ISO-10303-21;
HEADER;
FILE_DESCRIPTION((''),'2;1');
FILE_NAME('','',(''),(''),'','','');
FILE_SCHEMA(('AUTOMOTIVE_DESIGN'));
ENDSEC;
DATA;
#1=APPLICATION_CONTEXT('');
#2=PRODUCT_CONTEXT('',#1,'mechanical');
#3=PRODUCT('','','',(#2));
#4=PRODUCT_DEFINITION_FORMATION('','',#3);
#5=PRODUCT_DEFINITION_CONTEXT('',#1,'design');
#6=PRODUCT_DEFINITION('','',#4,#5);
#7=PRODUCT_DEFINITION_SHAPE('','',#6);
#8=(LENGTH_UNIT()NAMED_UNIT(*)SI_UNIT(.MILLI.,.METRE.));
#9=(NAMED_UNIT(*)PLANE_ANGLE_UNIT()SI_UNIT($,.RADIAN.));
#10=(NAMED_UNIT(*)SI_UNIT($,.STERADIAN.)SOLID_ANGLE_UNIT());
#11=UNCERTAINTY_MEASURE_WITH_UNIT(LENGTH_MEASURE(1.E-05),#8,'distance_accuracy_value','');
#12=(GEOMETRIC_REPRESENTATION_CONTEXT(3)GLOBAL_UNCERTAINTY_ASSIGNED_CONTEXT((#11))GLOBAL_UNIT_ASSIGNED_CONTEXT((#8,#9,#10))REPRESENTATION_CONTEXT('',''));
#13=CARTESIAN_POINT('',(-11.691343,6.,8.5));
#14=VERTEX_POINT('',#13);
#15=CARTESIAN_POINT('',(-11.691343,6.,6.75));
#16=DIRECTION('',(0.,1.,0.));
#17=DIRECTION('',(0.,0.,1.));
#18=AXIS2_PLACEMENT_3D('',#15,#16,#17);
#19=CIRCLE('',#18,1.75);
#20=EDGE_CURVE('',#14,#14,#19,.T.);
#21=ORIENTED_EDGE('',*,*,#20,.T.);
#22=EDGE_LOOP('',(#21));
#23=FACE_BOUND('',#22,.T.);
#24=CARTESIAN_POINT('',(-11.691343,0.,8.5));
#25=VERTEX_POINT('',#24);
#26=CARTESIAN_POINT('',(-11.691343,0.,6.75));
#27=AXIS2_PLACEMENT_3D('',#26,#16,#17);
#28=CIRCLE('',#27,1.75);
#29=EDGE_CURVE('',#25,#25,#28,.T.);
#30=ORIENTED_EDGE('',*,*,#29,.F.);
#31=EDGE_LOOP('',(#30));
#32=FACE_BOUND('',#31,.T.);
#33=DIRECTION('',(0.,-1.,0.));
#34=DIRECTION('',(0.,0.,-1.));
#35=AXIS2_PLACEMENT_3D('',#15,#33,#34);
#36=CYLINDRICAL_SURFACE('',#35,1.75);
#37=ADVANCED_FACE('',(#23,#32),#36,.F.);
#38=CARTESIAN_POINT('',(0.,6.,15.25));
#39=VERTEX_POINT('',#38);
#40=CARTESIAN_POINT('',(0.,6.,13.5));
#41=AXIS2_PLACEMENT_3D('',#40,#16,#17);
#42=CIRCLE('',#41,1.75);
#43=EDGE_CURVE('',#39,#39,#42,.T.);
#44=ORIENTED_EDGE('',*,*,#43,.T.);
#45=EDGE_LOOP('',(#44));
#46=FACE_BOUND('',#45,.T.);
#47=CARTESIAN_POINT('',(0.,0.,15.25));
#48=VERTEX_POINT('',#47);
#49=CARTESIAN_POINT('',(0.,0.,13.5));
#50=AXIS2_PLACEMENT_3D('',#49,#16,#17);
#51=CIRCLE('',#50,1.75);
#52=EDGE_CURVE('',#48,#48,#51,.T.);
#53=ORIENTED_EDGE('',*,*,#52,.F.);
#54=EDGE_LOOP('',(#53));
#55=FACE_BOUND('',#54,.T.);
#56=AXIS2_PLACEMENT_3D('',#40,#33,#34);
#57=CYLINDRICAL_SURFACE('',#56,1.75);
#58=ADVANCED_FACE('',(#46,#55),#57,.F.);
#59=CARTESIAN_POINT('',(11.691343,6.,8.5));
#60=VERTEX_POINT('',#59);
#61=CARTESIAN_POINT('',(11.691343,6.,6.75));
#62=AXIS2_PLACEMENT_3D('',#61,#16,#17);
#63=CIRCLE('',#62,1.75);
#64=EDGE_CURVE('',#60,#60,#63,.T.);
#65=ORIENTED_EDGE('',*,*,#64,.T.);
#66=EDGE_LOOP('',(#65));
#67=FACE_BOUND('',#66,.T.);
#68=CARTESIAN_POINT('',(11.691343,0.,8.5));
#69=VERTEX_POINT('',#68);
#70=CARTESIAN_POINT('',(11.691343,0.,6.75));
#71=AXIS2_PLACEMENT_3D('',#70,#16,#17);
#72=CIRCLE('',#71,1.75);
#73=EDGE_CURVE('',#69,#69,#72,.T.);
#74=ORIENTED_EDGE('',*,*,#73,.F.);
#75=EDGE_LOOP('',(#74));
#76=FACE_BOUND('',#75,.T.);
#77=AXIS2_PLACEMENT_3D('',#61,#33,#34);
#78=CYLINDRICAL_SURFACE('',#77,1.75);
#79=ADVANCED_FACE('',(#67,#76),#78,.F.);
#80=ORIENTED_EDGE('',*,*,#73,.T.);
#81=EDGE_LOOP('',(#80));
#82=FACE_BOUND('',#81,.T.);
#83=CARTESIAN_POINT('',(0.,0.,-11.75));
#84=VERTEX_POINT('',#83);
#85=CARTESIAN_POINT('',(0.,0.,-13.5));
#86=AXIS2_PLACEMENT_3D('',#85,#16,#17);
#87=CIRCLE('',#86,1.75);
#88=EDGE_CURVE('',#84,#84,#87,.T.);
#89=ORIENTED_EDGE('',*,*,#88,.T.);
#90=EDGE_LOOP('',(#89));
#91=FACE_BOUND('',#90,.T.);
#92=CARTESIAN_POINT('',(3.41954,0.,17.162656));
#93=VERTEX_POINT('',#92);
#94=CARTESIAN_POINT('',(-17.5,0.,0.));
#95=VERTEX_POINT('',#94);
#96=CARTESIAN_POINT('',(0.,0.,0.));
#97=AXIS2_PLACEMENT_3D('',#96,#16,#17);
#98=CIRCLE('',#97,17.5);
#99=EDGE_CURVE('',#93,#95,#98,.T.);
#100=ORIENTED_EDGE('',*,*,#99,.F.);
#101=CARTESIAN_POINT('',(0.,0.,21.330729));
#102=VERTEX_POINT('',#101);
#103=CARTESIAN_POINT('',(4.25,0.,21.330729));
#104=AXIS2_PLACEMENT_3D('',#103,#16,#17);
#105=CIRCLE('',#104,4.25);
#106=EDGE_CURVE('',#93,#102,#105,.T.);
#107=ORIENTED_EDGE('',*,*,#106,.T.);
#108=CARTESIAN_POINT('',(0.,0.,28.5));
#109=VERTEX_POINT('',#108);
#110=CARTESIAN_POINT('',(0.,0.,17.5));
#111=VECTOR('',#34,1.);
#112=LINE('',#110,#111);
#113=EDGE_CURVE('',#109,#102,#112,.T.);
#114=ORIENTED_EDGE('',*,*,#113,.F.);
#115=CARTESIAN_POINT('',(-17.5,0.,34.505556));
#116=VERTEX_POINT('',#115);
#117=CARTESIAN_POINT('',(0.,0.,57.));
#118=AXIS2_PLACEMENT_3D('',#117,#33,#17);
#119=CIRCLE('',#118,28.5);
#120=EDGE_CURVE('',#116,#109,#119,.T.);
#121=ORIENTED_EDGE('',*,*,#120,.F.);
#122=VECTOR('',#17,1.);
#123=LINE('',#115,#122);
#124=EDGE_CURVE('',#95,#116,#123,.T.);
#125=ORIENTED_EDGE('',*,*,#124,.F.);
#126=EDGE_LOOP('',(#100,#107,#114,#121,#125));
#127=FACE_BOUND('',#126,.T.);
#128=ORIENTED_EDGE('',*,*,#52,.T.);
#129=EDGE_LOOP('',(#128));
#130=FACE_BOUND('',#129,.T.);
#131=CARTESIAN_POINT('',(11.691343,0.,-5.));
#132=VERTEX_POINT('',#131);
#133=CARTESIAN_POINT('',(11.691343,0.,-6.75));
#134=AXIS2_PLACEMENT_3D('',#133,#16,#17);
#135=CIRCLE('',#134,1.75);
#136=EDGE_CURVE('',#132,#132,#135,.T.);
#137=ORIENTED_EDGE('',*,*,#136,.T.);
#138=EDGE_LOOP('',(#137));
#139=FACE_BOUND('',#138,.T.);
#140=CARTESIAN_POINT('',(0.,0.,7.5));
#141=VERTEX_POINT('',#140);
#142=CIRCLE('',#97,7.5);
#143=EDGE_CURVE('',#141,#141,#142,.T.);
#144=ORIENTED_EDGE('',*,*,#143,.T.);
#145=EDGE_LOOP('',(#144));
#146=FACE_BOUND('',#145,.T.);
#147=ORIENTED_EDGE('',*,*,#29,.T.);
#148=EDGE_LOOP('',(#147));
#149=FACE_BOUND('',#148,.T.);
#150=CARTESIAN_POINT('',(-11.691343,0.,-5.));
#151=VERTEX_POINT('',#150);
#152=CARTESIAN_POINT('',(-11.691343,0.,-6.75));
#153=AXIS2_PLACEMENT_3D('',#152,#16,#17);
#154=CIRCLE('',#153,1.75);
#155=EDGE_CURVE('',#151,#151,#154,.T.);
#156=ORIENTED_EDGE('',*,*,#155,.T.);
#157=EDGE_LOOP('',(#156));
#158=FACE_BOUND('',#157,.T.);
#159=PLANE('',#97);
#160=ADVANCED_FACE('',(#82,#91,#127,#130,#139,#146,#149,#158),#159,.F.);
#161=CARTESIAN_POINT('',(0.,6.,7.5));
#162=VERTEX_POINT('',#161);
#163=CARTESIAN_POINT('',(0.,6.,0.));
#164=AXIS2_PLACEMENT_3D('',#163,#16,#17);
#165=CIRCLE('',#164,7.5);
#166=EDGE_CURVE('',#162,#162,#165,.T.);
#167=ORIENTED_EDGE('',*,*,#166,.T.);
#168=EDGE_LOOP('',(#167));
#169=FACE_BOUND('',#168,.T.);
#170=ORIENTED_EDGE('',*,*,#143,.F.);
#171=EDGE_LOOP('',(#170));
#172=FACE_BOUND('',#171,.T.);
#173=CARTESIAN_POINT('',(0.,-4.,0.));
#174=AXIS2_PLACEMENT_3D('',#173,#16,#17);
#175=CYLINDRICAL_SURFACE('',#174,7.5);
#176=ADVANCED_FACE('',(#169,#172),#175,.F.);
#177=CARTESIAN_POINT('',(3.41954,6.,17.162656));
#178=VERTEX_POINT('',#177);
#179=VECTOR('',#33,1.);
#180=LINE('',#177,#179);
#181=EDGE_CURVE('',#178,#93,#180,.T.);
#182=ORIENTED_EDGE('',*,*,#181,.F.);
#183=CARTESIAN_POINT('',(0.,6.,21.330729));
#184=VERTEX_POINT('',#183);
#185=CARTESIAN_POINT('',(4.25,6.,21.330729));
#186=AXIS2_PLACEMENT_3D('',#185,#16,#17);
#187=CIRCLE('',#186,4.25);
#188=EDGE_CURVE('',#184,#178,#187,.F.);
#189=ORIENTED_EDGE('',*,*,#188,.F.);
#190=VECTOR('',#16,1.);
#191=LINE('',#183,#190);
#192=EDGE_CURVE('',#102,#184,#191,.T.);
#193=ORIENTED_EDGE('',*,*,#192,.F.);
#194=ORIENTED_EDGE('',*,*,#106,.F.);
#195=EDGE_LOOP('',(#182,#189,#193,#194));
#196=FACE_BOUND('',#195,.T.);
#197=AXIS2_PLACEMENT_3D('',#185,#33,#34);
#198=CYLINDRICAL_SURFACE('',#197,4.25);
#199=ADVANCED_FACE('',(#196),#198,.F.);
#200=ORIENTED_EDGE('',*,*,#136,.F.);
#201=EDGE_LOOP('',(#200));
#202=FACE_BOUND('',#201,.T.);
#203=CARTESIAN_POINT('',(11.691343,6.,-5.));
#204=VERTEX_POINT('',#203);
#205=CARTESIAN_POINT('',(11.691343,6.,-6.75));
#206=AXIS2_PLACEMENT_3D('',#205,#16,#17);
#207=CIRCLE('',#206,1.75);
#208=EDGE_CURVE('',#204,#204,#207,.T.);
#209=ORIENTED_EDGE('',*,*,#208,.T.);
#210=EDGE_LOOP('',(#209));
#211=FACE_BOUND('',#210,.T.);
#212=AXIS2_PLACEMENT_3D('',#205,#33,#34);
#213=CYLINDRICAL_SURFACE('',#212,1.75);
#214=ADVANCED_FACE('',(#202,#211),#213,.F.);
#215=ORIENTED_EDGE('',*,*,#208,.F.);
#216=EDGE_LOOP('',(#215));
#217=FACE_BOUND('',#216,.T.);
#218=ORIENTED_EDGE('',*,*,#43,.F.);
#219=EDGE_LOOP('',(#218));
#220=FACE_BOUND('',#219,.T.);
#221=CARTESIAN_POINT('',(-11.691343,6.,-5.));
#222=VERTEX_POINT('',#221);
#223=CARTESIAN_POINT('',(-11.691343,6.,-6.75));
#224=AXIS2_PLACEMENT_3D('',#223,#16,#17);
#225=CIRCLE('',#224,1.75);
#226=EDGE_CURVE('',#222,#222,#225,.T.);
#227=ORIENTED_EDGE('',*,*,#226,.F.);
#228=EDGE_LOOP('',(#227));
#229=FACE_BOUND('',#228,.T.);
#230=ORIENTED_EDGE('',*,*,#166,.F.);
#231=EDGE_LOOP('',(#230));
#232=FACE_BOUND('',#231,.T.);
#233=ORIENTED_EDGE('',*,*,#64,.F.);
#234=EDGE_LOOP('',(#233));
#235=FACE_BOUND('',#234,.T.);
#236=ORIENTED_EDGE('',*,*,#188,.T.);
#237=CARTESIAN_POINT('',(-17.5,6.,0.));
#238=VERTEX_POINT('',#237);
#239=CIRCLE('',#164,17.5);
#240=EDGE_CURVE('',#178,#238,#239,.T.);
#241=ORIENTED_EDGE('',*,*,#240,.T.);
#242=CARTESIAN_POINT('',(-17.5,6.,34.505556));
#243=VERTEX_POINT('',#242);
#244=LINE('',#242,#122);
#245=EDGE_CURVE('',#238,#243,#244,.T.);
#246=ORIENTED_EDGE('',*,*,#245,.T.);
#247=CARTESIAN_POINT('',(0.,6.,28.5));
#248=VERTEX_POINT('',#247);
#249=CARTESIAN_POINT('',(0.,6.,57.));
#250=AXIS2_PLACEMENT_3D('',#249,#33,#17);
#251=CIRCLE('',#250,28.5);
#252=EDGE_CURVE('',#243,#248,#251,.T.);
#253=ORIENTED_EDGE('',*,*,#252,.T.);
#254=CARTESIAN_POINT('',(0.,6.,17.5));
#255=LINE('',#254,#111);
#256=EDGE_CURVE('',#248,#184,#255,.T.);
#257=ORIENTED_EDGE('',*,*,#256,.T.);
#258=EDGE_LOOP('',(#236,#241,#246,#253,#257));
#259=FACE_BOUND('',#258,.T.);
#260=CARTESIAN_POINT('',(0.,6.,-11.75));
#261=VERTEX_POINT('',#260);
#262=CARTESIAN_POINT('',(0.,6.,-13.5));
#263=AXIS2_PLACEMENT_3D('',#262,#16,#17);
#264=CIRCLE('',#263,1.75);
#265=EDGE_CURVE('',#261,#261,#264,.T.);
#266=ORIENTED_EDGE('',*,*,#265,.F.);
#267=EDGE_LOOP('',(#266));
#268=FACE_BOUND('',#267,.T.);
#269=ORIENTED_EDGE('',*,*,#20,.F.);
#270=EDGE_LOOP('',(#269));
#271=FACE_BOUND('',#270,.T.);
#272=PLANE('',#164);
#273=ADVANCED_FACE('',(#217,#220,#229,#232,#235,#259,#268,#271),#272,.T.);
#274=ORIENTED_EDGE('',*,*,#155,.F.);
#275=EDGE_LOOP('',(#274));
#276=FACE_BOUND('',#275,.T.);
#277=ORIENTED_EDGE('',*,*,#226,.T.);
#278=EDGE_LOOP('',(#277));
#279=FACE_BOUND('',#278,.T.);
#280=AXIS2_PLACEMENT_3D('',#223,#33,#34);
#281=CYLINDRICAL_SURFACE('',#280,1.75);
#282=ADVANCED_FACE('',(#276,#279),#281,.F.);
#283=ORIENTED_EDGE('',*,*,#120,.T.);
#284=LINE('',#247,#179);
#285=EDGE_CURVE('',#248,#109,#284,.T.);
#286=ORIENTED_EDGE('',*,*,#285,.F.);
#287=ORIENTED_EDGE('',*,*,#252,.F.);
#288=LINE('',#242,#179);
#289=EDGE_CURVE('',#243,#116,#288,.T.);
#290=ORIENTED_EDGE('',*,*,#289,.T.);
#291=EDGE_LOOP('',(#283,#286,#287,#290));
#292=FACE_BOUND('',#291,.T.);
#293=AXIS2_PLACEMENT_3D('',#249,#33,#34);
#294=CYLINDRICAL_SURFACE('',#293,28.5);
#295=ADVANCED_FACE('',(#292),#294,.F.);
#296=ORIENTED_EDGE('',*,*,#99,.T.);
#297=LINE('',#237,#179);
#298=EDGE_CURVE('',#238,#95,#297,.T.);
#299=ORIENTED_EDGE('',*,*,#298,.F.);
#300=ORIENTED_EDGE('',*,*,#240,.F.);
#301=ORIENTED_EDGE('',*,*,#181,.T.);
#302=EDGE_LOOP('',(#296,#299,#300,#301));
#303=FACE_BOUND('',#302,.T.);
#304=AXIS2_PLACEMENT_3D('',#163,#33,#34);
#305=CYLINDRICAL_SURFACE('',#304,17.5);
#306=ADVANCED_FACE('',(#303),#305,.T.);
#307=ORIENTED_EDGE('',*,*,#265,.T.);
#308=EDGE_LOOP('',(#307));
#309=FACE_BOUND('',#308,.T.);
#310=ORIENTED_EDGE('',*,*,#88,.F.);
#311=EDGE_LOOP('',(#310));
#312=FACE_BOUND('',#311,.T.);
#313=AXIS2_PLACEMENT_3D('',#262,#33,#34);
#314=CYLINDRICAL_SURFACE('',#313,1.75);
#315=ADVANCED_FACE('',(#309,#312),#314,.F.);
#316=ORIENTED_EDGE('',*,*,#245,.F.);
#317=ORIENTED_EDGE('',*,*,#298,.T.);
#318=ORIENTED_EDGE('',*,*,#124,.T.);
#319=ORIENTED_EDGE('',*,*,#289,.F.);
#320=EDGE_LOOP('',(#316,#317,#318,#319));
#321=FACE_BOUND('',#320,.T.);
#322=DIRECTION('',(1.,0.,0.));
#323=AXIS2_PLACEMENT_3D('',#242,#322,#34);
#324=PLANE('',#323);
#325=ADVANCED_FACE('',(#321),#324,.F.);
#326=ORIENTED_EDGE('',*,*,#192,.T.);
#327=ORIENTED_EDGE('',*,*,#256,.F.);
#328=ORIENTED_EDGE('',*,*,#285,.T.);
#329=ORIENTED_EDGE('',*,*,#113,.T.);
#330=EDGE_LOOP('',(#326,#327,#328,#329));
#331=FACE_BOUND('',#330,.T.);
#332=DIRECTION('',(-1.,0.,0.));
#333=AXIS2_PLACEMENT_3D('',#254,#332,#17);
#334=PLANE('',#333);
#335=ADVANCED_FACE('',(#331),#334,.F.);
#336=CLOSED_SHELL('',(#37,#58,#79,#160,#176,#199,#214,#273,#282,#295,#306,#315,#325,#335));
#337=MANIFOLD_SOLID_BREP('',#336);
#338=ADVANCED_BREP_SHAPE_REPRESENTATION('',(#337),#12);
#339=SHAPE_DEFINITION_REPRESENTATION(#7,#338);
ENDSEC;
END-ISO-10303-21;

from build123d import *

# Parameters (mm, degrees)
SKETCH_1_R          = 1.75
EXTRUDE_1_DEPTH     = 6
FILLET_2_R          = 4.25
SKETCH_2_R          = 7.5
CUT_EXTRUDE_1_DEPTH = 10


with BuildPart() as part:
    # 草图1 → 凸台-拉伸1 (new body)
    with BuildSketch(Plane(origin=(0, 0, 0), x_dir=(1, 0, 0), z_dir=(0, 1, 0))):
        with BuildLine():
            Line((-17.5, -34.505556242), (-17.5, 0))
            ThreePointArc((-17.5, 0), (0, 17.5), (17.5, 0))
            ThreePointArc((17.5, 0), (12.374368671, -12.374368671), (0, -17.5))
            Line((0, -17.5), (0, -28.5))
            ThreePointArc((0, -28.5), (-9.250901385, -30.043167405), (-17.5, -34.505556242))
        make_face()
        with Locations((0, 13.5)):
            Circle(SKETCH_1_R, mode=Mode.SUBTRACT)
        with Locations((11.691342951, 6.75)):
            Circle(SKETCH_1_R, mode=Mode.SUBTRACT)
        with Locations((11.691342951, -6.75)):
            Circle(SKETCH_1_R, mode=Mode.SUBTRACT)
        with Locations((0, -13.5)):
            Circle(SKETCH_1_R, mode=Mode.SUBTRACT)
        with Locations((-11.691342951, -6.75)):
            Circle(SKETCH_1_R, mode=Mode.SUBTRACT)
        with Locations((-11.691342951, 6.75)):
            Circle(SKETCH_1_R, mode=Mode.SUBTRACT)
    extrude(amount=EXTRUDE_1_DEPTH)

    # 圆角2
    fillet_2_edges = [part.edges().sort_by_distance(p)[0] for p in [
        (0, 3, 17.5),
    ]]
    fillet(fillet_2_edges, radius=FILLET_2_R)

    # 草图2 → 切除-拉伸1 (cut)
    with BuildSketch(Plane(origin=(0, 6, 0), x_dir=(1, 0, 0), z_dir=(0, 1, 0))):
        Circle(SKETCH_2_R)
    extrude(amount=-CUT_EXTRUDE_1_DEPTH, mode=Mode.SUBTRACT)


solid = part.part
